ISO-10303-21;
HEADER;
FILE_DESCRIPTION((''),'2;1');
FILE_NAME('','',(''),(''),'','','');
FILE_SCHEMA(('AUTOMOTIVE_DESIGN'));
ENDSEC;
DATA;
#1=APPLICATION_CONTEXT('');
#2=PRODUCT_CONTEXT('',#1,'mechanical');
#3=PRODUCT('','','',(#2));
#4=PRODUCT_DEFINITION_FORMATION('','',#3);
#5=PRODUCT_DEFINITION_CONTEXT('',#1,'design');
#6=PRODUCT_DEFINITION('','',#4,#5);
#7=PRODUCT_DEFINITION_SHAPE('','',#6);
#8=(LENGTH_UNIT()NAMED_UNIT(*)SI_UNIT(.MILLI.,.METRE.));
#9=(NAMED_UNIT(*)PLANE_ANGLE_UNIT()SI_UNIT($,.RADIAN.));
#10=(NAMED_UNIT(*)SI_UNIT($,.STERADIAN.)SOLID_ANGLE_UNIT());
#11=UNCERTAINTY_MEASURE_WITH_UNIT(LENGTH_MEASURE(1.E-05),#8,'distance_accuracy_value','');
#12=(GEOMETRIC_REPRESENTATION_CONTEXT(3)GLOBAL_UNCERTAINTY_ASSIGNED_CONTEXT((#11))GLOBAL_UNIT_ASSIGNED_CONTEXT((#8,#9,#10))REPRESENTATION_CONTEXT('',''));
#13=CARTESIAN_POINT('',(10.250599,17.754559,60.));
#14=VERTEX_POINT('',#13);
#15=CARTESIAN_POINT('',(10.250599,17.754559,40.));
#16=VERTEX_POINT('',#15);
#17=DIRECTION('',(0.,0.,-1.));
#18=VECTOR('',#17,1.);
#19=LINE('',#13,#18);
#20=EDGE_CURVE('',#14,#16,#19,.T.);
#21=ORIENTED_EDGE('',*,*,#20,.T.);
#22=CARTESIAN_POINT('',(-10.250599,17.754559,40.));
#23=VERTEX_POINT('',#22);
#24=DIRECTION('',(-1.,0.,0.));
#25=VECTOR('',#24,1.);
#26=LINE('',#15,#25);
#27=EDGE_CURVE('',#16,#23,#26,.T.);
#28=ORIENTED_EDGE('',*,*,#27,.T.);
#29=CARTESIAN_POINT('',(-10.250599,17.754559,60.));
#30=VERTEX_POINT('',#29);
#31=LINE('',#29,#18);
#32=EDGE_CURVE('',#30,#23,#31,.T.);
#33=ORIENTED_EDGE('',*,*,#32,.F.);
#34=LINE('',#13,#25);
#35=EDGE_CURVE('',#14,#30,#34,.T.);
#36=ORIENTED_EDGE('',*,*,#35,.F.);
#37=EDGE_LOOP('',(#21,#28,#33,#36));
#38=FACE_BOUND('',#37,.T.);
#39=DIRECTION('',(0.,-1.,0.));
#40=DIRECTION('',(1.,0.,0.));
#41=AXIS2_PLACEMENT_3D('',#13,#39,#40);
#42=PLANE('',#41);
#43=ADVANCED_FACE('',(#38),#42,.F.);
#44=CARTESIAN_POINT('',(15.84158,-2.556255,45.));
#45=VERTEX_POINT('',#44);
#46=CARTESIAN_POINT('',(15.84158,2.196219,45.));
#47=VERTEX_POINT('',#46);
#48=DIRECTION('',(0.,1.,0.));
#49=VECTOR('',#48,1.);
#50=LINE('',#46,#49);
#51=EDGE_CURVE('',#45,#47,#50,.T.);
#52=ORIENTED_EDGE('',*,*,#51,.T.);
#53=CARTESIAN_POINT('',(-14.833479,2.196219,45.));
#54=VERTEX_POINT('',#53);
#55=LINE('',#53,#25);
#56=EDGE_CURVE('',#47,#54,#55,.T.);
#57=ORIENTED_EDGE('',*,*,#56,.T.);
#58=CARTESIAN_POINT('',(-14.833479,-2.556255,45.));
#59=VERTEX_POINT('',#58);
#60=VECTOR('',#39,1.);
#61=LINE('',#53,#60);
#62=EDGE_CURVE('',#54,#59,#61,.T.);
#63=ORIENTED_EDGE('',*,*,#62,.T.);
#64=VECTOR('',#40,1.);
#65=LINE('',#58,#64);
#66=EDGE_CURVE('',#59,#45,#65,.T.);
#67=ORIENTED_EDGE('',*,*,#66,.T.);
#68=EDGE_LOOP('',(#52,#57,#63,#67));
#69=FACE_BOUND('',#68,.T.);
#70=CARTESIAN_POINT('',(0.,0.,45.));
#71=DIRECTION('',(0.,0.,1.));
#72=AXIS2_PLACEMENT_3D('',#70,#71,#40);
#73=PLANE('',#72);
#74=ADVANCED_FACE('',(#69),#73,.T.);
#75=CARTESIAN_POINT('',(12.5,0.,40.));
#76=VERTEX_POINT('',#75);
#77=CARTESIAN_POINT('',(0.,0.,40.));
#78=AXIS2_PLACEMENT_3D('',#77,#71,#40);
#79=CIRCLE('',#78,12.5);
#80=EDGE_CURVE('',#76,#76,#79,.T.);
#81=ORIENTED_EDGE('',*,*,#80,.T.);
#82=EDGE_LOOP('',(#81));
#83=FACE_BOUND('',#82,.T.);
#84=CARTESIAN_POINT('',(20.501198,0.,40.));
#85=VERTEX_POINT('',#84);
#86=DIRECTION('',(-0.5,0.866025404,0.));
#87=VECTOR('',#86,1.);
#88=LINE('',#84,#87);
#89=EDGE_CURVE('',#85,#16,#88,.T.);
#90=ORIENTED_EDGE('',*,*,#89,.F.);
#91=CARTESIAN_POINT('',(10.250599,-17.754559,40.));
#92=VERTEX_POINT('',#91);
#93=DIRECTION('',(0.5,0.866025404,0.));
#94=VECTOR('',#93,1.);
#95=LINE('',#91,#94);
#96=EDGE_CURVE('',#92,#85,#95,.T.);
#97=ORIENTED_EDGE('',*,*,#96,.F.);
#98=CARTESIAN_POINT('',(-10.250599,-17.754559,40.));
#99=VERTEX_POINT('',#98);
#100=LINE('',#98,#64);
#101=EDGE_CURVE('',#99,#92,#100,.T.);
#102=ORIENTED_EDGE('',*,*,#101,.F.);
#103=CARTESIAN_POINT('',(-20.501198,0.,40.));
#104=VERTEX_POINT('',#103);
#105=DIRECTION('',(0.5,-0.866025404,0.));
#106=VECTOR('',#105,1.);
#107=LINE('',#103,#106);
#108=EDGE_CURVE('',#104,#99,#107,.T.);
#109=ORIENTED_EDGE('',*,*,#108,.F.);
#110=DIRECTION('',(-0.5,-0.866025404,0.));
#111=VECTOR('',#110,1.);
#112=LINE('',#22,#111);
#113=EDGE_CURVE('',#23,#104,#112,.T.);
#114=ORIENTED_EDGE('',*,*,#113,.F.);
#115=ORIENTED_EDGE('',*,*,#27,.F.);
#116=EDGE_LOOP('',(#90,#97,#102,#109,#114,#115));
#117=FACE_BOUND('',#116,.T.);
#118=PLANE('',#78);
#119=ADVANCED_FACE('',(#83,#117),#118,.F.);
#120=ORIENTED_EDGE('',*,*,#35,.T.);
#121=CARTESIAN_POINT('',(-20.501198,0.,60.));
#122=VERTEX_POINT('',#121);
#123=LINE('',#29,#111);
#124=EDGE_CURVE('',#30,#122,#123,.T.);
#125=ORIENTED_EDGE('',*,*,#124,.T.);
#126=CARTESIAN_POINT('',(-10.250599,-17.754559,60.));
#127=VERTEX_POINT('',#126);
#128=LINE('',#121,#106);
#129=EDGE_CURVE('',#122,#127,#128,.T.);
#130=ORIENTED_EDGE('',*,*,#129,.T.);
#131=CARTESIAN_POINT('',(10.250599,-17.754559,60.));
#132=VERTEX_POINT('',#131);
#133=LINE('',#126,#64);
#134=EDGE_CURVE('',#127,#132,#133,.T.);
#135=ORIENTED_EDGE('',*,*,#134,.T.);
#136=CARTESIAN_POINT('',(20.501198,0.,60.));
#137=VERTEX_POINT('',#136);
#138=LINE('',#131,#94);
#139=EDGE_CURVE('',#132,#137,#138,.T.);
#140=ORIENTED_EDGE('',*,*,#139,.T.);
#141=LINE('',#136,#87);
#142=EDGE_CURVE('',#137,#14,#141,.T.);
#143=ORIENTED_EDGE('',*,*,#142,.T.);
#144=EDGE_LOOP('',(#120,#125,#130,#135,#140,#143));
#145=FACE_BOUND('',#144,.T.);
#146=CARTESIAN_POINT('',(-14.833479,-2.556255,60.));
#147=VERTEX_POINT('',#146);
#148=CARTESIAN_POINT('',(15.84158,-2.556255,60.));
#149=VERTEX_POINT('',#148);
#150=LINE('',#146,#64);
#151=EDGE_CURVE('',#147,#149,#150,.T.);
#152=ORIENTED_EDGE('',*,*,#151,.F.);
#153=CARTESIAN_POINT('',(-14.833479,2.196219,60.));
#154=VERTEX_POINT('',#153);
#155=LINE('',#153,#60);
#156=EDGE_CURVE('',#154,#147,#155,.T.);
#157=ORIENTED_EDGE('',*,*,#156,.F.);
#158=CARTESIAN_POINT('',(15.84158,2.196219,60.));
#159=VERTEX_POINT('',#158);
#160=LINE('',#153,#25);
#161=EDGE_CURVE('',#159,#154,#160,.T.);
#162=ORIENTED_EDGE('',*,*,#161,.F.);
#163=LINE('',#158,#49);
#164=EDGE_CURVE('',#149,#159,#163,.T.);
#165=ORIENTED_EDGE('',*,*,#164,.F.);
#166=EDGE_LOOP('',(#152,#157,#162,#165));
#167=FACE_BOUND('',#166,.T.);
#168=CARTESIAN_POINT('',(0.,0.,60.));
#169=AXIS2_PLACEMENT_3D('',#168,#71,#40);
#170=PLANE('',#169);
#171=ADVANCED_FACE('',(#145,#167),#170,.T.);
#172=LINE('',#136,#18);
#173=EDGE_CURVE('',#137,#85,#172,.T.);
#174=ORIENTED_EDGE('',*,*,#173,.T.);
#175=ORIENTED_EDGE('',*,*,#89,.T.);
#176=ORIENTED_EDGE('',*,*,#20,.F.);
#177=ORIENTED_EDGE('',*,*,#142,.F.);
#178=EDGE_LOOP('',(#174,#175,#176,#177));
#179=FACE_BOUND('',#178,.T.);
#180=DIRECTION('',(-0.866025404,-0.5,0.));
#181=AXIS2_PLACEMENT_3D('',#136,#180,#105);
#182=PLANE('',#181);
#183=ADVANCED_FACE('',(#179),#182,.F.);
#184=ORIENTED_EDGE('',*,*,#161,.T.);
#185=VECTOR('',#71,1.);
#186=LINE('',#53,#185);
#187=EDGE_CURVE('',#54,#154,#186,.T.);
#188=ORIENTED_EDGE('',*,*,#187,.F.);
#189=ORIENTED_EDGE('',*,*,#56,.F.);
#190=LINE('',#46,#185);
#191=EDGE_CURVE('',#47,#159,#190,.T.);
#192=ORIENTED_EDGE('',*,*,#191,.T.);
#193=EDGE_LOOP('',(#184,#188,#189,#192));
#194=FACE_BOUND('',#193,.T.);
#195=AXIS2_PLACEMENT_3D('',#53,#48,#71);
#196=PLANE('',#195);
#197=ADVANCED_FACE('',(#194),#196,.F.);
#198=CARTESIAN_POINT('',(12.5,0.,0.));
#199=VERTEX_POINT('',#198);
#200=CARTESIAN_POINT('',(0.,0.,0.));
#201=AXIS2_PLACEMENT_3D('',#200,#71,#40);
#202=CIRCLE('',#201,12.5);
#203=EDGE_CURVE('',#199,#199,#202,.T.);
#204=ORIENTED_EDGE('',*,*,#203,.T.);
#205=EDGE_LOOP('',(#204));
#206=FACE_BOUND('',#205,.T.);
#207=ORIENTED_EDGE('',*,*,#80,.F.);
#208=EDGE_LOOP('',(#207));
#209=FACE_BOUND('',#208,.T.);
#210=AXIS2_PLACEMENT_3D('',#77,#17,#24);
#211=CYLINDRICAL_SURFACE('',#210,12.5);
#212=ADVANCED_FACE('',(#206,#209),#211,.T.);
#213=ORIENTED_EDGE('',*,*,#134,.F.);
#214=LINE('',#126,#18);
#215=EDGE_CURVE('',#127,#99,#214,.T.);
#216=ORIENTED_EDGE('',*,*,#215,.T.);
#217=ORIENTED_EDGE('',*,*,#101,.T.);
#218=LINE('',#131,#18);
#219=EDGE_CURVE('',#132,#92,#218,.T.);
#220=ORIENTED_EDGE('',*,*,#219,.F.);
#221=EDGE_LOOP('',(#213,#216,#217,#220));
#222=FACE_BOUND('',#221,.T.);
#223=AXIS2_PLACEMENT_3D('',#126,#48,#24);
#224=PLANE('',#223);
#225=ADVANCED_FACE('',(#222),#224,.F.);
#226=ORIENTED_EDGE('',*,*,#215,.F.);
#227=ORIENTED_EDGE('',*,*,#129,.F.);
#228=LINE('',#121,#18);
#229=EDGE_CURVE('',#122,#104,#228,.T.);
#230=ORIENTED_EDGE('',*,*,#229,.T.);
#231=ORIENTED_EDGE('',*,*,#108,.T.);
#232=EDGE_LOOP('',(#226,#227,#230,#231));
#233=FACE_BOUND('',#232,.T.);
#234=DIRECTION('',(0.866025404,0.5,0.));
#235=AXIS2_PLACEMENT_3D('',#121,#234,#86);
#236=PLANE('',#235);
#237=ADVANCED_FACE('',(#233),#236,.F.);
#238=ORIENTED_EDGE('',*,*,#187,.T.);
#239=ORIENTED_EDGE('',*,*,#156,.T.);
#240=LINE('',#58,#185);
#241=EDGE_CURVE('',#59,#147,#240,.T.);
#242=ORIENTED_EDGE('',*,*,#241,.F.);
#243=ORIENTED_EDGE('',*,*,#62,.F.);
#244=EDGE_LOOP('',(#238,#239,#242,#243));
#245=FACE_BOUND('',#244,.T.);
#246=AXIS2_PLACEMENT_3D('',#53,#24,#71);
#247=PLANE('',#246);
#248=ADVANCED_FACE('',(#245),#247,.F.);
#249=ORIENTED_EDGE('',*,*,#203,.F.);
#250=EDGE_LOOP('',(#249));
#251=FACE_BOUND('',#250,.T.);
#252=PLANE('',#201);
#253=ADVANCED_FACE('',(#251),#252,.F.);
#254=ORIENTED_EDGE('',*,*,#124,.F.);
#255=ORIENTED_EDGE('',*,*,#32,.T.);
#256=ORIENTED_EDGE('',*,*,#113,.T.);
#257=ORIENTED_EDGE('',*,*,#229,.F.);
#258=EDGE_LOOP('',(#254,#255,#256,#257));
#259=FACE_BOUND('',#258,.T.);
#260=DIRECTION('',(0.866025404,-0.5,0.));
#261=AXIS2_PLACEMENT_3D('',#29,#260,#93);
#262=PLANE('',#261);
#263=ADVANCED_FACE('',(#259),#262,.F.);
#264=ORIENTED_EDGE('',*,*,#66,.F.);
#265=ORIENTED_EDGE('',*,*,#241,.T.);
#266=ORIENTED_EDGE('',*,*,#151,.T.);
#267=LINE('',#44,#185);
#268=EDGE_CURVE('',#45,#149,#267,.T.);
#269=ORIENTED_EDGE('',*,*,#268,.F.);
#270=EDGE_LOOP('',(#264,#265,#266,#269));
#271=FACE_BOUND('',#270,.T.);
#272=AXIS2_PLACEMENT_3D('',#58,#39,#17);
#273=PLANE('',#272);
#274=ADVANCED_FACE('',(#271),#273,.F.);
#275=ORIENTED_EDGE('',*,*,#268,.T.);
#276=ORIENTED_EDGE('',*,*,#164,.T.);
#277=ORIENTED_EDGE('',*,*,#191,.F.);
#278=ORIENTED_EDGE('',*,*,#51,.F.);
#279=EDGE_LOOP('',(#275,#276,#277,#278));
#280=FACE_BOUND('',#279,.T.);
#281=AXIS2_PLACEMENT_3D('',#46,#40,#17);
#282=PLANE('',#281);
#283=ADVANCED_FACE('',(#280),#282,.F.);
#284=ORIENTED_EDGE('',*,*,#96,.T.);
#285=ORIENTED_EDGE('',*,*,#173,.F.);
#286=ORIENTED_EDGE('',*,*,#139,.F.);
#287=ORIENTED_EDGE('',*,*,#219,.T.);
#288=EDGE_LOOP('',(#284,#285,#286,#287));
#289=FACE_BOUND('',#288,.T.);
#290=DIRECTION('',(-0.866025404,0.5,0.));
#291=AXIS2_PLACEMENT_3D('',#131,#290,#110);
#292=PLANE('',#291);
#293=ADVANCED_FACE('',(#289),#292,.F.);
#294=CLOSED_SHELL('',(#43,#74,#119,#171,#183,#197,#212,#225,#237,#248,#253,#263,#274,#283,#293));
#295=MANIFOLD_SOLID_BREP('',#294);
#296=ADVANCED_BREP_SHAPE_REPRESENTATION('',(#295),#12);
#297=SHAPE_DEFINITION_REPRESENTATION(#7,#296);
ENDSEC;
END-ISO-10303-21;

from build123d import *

# Parameters (mm, degrees)
SKETCH1_R           = 12.5
BOSS_EXTRUDE1_DEPTH = 40
BOSS_EXTRUDE2_DEPTH = 20
SKETCH3_W           = 30.675059353
SKETCH3_H           = 4.752473984
CUT_EXTRUDE1_DEPTH  = 15


with BuildPart() as part:
    # Sketch1 → Boss-Extrude1 (new body)
    with BuildSketch(Plane.XY):
        Circle(SKETCH1_R)
    extrude(amount=BOSS_EXTRUDE1_DEPTH)

    # Sketch2 → Boss-Extrude2 (add)
    with BuildSketch(Plane.XY.offset(40)):
        Polygon((20.501198272, 0), (10.250599136, 17.754558511), (-10.250599136, 17.754558511), (-20.501198272, 0), (-10.250599136, -17.754558511), (10.250599136, -17.754558511), align=None)
    extrude(amount=BOSS_EXTRUDE2_DEPTH)

    # Sketch3 → Cut-Extrude1 (cut)
    with BuildSketch(Plane.XY.offset(60)):
        with Locations((0.504050272, -0.180017954)):
            Rectangle(SKETCH3_W, SKETCH3_H)
    extrude(amount=-CUT_EXTRUDE1_DEPTH, mode=Mode.SUBTRACT)


solid = part.part
